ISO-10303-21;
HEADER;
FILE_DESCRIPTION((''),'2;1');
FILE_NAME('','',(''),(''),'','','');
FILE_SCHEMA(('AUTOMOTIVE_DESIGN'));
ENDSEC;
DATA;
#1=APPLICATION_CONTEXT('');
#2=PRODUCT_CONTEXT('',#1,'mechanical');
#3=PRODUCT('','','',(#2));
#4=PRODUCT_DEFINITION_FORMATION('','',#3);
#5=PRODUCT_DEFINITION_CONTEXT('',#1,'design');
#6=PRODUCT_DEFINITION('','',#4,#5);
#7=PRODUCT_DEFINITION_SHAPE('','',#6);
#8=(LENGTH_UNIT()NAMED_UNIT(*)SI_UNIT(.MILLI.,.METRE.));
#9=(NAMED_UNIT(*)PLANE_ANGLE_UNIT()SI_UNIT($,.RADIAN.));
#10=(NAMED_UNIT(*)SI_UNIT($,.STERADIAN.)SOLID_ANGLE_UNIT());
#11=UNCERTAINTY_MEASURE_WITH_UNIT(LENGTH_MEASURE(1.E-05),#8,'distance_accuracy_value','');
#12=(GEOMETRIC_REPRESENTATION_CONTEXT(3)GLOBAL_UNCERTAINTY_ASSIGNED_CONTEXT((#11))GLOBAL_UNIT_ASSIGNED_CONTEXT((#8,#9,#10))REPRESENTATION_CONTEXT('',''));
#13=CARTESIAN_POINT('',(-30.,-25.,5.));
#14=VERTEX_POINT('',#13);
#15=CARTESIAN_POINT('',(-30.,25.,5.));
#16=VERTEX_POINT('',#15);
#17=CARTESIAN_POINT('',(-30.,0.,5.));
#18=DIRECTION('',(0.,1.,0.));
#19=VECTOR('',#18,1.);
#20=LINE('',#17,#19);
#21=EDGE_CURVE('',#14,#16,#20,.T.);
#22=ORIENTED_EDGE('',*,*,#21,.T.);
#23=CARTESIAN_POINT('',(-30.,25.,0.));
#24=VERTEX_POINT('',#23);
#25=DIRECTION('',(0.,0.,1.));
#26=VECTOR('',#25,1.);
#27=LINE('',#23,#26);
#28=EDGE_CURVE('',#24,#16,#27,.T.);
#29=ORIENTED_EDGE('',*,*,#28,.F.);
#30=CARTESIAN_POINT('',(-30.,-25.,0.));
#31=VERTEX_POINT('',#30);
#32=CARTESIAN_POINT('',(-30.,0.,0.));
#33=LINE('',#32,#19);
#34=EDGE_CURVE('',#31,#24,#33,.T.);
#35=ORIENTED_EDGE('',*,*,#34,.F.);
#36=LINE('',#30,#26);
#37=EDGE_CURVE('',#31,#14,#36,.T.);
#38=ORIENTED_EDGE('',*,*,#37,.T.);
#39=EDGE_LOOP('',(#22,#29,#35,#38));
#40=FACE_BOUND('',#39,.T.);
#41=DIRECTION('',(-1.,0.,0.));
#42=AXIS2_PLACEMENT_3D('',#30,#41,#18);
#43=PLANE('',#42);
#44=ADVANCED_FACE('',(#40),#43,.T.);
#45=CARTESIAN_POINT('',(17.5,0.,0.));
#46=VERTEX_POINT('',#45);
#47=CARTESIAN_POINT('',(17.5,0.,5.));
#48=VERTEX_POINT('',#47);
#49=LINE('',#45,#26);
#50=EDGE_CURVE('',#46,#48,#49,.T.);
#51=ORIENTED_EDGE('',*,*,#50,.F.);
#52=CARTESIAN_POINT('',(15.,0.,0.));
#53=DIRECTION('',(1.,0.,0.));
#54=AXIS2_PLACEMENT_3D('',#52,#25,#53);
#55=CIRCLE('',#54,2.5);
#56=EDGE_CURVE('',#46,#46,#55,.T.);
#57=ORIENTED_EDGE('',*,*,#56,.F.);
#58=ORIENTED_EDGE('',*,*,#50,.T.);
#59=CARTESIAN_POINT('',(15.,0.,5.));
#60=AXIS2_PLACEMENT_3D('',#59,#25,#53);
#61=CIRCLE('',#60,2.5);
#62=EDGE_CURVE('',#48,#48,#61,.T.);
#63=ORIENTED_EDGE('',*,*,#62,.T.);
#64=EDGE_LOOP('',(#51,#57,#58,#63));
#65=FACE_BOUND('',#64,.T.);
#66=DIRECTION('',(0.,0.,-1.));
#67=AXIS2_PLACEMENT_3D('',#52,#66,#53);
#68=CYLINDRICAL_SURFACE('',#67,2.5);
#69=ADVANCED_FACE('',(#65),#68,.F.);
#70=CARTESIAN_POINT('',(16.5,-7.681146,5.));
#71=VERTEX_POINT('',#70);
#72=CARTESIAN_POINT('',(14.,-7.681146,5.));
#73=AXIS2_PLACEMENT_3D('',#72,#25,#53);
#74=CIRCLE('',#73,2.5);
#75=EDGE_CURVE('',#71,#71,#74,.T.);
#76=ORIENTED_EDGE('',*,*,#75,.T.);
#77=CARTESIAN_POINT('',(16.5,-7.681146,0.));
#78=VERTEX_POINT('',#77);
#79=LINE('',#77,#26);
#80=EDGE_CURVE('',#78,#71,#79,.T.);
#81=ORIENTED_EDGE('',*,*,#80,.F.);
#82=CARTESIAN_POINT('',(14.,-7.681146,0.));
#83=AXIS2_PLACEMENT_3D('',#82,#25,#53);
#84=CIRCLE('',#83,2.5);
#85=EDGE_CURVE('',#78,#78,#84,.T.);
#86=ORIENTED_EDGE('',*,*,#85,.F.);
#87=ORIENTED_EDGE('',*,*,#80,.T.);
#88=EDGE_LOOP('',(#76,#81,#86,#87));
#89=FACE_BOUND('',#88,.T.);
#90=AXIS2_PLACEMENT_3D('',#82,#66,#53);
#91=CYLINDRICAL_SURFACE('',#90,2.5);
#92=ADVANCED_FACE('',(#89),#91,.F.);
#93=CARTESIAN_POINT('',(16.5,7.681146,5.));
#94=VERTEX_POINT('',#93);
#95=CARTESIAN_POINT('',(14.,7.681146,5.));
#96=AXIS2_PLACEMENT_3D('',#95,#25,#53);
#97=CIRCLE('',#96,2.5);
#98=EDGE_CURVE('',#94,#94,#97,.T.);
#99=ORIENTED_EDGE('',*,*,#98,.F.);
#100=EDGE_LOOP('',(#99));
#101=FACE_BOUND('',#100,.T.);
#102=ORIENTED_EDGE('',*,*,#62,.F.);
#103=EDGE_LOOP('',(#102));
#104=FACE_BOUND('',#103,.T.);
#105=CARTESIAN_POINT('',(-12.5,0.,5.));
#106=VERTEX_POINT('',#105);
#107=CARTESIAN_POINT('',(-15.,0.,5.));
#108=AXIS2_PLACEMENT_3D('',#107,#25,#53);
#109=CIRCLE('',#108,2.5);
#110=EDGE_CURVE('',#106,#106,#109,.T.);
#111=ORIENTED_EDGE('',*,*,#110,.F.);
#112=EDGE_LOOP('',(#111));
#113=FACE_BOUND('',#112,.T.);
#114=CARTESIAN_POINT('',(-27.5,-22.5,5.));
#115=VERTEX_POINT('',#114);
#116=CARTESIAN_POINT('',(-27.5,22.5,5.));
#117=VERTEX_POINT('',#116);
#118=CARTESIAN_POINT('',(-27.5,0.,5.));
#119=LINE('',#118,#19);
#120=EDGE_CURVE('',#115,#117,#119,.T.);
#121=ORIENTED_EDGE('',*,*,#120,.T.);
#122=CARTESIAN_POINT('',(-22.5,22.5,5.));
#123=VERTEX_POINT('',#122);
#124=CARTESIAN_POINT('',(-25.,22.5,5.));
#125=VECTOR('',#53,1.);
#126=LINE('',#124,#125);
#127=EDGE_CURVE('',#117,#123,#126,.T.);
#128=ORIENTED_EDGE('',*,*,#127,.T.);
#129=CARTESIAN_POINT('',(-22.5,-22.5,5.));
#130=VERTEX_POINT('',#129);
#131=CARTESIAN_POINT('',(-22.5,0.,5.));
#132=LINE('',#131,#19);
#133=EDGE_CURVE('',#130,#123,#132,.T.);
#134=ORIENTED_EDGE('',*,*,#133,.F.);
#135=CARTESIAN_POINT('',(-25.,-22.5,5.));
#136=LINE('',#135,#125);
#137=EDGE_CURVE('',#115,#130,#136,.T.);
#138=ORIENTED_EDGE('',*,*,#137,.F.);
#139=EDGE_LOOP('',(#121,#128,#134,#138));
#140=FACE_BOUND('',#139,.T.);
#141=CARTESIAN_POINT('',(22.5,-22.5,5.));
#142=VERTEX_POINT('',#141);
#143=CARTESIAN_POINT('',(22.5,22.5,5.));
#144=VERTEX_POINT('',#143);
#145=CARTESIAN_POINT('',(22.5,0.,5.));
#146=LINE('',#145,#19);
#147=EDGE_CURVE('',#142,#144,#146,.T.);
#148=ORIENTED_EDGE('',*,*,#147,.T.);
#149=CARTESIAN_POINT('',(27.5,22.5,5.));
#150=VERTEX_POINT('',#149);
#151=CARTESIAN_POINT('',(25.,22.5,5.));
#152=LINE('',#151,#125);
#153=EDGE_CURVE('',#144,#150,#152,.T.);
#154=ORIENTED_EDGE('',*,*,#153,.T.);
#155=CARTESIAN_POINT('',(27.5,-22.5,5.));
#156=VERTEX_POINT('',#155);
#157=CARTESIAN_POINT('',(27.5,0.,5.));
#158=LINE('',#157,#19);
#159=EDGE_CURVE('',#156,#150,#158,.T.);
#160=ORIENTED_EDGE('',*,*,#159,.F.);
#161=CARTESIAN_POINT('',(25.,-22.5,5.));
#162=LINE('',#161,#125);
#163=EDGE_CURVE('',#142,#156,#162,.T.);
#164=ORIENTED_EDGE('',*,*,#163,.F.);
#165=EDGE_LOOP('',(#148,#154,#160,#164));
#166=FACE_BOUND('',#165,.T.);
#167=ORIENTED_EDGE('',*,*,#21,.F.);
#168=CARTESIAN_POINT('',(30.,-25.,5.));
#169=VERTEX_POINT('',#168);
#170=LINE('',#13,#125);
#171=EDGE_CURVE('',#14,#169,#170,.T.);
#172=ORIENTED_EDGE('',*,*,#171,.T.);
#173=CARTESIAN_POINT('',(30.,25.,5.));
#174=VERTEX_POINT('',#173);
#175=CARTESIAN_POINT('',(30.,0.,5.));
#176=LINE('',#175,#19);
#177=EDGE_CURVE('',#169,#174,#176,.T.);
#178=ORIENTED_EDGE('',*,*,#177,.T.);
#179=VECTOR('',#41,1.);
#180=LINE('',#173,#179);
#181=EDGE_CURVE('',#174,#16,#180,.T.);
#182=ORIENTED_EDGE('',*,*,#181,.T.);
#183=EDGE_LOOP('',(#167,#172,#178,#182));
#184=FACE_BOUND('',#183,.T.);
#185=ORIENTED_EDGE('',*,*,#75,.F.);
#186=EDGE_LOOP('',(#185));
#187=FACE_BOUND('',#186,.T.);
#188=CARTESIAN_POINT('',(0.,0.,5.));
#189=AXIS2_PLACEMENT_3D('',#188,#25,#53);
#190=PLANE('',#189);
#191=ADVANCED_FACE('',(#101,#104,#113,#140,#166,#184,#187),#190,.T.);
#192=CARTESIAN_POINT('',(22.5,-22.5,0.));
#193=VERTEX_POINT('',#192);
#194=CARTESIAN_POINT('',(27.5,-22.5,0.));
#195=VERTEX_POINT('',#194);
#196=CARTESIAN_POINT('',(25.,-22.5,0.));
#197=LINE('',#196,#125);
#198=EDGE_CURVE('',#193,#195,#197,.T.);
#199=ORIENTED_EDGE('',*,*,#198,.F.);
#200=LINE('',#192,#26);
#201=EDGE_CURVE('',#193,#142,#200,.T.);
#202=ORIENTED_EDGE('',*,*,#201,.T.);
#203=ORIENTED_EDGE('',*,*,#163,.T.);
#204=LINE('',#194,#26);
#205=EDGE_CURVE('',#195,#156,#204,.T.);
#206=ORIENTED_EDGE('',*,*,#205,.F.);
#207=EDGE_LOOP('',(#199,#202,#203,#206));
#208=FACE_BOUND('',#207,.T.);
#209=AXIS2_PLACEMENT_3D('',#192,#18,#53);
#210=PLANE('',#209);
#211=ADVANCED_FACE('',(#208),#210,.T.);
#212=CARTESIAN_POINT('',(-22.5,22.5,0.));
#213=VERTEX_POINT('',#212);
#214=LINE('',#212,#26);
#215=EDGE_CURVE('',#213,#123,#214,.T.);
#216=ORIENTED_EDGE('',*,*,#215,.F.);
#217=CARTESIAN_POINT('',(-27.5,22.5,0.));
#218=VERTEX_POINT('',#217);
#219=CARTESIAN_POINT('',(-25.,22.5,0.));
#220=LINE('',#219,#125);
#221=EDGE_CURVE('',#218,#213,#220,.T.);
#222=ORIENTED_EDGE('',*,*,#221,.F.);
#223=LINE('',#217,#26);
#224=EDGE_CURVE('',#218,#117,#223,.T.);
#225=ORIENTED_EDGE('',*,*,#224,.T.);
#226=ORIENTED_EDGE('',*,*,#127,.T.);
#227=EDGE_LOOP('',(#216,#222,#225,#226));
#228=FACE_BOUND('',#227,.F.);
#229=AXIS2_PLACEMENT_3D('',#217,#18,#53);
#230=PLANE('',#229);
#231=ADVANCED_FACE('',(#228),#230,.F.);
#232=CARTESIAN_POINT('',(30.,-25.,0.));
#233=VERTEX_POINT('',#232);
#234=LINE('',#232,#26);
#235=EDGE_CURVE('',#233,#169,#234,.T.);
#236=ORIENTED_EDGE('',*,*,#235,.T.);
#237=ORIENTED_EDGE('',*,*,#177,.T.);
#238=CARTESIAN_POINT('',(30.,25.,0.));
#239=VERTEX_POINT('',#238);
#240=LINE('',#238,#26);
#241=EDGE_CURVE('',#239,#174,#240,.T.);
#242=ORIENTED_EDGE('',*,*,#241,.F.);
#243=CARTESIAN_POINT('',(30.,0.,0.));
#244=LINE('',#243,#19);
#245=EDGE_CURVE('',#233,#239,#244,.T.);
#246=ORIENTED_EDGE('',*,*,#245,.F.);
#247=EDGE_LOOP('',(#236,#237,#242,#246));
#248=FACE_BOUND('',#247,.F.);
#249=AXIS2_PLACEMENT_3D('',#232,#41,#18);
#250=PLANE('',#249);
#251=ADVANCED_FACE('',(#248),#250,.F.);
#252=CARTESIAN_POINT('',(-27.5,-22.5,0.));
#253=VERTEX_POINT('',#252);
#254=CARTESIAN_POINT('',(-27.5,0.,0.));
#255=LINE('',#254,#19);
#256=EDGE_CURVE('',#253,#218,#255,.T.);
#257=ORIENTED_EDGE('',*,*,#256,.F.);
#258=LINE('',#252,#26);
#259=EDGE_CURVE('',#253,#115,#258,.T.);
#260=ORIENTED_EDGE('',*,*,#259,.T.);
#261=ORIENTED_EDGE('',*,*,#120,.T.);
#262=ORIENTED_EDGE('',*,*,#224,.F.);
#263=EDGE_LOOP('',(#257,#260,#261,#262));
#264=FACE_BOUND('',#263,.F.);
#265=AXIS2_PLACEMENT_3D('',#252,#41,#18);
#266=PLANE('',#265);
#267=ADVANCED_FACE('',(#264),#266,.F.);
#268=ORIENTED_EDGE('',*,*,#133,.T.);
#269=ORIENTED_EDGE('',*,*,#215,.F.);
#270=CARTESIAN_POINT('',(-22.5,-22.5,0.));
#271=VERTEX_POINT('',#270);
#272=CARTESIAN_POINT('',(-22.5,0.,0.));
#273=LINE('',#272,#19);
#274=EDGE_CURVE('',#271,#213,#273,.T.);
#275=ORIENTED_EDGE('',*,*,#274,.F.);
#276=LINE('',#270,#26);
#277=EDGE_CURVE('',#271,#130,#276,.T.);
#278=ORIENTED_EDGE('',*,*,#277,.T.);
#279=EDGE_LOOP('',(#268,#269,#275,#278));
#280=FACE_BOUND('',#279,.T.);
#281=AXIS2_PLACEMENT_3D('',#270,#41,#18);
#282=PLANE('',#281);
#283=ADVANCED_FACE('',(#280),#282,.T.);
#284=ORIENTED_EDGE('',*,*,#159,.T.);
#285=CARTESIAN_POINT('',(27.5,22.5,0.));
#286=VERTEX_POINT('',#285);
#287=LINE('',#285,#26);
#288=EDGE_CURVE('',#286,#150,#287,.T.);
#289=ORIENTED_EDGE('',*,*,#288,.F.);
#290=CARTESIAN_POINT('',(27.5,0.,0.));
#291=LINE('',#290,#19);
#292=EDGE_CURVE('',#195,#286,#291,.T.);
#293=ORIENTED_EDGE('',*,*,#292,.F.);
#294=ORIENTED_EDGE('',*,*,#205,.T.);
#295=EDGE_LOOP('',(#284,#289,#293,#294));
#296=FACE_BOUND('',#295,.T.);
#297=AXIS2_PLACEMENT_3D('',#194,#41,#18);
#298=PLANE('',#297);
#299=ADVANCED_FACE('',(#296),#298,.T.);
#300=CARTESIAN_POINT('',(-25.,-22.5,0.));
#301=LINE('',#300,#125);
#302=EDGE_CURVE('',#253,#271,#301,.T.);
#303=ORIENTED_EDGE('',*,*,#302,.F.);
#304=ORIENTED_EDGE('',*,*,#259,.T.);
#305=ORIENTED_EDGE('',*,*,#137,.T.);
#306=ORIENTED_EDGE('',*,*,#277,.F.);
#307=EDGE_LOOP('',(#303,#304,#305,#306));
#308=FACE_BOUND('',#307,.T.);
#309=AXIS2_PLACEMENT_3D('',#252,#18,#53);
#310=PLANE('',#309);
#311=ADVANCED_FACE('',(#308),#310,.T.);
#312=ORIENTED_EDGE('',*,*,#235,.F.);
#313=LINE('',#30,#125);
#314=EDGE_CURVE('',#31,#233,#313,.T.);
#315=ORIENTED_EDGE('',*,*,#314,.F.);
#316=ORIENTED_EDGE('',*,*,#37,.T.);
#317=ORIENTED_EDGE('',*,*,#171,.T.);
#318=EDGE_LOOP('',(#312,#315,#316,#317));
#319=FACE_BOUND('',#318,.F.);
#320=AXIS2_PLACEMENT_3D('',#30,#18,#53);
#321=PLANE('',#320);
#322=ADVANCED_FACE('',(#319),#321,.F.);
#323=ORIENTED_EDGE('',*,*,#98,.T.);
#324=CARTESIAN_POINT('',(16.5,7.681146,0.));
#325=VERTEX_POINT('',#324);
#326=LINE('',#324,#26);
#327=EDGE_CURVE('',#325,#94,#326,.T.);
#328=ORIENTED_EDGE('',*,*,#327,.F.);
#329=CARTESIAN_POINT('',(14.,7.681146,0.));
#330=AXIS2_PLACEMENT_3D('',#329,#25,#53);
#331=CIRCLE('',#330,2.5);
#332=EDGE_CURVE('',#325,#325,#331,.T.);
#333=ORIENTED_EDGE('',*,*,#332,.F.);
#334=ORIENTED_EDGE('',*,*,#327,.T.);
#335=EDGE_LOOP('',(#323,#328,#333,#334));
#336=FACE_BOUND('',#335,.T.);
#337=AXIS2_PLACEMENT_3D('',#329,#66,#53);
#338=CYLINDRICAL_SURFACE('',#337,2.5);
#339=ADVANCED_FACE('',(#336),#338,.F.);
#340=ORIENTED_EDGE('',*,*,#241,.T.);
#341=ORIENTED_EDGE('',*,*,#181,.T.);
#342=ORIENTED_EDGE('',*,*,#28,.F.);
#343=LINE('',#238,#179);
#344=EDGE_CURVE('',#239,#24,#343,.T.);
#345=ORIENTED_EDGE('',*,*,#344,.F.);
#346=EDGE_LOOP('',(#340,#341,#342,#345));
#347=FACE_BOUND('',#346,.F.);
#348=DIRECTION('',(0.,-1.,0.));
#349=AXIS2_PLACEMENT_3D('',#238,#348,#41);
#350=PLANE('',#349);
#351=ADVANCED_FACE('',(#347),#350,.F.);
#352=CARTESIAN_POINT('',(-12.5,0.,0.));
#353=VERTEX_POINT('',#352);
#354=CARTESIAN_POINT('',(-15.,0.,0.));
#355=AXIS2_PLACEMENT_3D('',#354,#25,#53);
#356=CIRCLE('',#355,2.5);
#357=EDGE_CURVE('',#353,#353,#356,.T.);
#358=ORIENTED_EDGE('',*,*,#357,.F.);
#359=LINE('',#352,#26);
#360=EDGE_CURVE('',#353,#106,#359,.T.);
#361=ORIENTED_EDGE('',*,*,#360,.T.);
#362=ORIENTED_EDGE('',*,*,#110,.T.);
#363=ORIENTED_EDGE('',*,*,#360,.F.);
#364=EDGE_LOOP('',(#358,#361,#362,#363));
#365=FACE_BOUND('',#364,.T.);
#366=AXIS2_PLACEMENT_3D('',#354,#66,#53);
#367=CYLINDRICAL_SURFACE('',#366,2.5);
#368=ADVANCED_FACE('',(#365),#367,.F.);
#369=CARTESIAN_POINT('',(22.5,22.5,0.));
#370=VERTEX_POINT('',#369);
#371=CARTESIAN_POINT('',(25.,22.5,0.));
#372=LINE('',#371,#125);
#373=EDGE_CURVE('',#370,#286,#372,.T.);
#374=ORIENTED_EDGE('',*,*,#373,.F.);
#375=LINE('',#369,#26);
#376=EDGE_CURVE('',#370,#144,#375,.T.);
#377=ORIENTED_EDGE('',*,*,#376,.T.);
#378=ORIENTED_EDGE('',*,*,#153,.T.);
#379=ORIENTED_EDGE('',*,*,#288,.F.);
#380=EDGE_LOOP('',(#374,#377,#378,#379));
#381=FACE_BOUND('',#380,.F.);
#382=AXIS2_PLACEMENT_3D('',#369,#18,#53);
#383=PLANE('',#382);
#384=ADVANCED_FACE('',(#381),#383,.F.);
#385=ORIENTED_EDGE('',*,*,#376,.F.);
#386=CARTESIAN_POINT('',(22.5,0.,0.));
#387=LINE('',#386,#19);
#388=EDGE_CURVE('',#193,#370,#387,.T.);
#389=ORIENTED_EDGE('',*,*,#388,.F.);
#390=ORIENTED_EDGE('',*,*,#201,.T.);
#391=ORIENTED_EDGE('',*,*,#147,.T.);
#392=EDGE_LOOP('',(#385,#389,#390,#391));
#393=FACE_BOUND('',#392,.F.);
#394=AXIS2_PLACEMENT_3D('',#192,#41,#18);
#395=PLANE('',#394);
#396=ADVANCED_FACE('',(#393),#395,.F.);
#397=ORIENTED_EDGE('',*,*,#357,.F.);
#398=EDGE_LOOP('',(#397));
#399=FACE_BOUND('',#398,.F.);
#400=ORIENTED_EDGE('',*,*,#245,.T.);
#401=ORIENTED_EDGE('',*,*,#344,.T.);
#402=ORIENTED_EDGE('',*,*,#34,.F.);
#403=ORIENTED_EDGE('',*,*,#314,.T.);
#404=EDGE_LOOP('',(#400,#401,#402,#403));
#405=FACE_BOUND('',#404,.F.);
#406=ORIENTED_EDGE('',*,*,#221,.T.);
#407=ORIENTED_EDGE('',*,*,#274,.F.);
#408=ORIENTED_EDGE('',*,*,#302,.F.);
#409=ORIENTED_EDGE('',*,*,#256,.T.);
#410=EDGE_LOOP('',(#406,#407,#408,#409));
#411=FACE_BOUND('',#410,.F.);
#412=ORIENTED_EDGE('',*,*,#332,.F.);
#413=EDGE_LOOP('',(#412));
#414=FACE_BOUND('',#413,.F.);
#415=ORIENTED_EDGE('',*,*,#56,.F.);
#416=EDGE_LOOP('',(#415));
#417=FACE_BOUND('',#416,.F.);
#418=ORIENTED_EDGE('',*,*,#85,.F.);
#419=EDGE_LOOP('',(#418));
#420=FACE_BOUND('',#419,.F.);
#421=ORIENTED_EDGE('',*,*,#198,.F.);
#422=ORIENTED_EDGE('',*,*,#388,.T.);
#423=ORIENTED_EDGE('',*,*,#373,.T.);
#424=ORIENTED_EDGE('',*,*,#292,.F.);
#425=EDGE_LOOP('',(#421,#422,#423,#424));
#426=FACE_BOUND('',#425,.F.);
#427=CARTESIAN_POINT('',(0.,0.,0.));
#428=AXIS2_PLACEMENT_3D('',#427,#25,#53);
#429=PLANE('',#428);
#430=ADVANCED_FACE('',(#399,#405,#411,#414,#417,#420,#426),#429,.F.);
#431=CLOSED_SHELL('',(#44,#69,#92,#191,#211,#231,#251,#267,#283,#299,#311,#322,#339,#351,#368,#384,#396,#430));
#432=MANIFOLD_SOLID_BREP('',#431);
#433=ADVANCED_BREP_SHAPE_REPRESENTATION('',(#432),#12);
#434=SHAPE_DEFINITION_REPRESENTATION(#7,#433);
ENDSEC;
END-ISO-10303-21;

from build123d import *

# Parameters (mm, degrees)
F0_W     = 40
F0_H     = 50
F0_R     = 2.5
F0_W_2   = 10
F0_W_3   = 5
F0_H_2   = 45
F1_DEPTH = 5


with BuildPart() as f1:
    # F0 (on Top) → F1 (new body)
    with BuildSketch(Plane.XY):
        Rectangle(F0_W, F0_H)
        with Locations((14, -7.681146)):
            Circle(F0_R, mode=Mode.SUBTRACT)
        with Locations((-15, 0)):
            Circle(F0_R, mode=Mode.SUBTRACT)
        with Locations((14, 7.681146)):
            Circle(F0_R, mode=Mode.SUBTRACT)
        with Locations((15, 0)):
            Circle(F0_R, mode=Mode.SUBTRACT)
        with Locations((-25, 0)):
            Rectangle(F0_W_2, F0_H)
        with Locations((-25, 0)):
            Rectangle(F0_W_3, F0_H_2, mode=Mode.SUBTRACT)
        with Locations((25, 0)):
            Rectangle(F0_W_2, F0_H)
        with Locations((25, 0)):
            Rectangle(F0_W_3, F0_H_2, mode=Mode.SUBTRACT)
    extrude(amount=F1_DEPTH)


solid = f1.part
